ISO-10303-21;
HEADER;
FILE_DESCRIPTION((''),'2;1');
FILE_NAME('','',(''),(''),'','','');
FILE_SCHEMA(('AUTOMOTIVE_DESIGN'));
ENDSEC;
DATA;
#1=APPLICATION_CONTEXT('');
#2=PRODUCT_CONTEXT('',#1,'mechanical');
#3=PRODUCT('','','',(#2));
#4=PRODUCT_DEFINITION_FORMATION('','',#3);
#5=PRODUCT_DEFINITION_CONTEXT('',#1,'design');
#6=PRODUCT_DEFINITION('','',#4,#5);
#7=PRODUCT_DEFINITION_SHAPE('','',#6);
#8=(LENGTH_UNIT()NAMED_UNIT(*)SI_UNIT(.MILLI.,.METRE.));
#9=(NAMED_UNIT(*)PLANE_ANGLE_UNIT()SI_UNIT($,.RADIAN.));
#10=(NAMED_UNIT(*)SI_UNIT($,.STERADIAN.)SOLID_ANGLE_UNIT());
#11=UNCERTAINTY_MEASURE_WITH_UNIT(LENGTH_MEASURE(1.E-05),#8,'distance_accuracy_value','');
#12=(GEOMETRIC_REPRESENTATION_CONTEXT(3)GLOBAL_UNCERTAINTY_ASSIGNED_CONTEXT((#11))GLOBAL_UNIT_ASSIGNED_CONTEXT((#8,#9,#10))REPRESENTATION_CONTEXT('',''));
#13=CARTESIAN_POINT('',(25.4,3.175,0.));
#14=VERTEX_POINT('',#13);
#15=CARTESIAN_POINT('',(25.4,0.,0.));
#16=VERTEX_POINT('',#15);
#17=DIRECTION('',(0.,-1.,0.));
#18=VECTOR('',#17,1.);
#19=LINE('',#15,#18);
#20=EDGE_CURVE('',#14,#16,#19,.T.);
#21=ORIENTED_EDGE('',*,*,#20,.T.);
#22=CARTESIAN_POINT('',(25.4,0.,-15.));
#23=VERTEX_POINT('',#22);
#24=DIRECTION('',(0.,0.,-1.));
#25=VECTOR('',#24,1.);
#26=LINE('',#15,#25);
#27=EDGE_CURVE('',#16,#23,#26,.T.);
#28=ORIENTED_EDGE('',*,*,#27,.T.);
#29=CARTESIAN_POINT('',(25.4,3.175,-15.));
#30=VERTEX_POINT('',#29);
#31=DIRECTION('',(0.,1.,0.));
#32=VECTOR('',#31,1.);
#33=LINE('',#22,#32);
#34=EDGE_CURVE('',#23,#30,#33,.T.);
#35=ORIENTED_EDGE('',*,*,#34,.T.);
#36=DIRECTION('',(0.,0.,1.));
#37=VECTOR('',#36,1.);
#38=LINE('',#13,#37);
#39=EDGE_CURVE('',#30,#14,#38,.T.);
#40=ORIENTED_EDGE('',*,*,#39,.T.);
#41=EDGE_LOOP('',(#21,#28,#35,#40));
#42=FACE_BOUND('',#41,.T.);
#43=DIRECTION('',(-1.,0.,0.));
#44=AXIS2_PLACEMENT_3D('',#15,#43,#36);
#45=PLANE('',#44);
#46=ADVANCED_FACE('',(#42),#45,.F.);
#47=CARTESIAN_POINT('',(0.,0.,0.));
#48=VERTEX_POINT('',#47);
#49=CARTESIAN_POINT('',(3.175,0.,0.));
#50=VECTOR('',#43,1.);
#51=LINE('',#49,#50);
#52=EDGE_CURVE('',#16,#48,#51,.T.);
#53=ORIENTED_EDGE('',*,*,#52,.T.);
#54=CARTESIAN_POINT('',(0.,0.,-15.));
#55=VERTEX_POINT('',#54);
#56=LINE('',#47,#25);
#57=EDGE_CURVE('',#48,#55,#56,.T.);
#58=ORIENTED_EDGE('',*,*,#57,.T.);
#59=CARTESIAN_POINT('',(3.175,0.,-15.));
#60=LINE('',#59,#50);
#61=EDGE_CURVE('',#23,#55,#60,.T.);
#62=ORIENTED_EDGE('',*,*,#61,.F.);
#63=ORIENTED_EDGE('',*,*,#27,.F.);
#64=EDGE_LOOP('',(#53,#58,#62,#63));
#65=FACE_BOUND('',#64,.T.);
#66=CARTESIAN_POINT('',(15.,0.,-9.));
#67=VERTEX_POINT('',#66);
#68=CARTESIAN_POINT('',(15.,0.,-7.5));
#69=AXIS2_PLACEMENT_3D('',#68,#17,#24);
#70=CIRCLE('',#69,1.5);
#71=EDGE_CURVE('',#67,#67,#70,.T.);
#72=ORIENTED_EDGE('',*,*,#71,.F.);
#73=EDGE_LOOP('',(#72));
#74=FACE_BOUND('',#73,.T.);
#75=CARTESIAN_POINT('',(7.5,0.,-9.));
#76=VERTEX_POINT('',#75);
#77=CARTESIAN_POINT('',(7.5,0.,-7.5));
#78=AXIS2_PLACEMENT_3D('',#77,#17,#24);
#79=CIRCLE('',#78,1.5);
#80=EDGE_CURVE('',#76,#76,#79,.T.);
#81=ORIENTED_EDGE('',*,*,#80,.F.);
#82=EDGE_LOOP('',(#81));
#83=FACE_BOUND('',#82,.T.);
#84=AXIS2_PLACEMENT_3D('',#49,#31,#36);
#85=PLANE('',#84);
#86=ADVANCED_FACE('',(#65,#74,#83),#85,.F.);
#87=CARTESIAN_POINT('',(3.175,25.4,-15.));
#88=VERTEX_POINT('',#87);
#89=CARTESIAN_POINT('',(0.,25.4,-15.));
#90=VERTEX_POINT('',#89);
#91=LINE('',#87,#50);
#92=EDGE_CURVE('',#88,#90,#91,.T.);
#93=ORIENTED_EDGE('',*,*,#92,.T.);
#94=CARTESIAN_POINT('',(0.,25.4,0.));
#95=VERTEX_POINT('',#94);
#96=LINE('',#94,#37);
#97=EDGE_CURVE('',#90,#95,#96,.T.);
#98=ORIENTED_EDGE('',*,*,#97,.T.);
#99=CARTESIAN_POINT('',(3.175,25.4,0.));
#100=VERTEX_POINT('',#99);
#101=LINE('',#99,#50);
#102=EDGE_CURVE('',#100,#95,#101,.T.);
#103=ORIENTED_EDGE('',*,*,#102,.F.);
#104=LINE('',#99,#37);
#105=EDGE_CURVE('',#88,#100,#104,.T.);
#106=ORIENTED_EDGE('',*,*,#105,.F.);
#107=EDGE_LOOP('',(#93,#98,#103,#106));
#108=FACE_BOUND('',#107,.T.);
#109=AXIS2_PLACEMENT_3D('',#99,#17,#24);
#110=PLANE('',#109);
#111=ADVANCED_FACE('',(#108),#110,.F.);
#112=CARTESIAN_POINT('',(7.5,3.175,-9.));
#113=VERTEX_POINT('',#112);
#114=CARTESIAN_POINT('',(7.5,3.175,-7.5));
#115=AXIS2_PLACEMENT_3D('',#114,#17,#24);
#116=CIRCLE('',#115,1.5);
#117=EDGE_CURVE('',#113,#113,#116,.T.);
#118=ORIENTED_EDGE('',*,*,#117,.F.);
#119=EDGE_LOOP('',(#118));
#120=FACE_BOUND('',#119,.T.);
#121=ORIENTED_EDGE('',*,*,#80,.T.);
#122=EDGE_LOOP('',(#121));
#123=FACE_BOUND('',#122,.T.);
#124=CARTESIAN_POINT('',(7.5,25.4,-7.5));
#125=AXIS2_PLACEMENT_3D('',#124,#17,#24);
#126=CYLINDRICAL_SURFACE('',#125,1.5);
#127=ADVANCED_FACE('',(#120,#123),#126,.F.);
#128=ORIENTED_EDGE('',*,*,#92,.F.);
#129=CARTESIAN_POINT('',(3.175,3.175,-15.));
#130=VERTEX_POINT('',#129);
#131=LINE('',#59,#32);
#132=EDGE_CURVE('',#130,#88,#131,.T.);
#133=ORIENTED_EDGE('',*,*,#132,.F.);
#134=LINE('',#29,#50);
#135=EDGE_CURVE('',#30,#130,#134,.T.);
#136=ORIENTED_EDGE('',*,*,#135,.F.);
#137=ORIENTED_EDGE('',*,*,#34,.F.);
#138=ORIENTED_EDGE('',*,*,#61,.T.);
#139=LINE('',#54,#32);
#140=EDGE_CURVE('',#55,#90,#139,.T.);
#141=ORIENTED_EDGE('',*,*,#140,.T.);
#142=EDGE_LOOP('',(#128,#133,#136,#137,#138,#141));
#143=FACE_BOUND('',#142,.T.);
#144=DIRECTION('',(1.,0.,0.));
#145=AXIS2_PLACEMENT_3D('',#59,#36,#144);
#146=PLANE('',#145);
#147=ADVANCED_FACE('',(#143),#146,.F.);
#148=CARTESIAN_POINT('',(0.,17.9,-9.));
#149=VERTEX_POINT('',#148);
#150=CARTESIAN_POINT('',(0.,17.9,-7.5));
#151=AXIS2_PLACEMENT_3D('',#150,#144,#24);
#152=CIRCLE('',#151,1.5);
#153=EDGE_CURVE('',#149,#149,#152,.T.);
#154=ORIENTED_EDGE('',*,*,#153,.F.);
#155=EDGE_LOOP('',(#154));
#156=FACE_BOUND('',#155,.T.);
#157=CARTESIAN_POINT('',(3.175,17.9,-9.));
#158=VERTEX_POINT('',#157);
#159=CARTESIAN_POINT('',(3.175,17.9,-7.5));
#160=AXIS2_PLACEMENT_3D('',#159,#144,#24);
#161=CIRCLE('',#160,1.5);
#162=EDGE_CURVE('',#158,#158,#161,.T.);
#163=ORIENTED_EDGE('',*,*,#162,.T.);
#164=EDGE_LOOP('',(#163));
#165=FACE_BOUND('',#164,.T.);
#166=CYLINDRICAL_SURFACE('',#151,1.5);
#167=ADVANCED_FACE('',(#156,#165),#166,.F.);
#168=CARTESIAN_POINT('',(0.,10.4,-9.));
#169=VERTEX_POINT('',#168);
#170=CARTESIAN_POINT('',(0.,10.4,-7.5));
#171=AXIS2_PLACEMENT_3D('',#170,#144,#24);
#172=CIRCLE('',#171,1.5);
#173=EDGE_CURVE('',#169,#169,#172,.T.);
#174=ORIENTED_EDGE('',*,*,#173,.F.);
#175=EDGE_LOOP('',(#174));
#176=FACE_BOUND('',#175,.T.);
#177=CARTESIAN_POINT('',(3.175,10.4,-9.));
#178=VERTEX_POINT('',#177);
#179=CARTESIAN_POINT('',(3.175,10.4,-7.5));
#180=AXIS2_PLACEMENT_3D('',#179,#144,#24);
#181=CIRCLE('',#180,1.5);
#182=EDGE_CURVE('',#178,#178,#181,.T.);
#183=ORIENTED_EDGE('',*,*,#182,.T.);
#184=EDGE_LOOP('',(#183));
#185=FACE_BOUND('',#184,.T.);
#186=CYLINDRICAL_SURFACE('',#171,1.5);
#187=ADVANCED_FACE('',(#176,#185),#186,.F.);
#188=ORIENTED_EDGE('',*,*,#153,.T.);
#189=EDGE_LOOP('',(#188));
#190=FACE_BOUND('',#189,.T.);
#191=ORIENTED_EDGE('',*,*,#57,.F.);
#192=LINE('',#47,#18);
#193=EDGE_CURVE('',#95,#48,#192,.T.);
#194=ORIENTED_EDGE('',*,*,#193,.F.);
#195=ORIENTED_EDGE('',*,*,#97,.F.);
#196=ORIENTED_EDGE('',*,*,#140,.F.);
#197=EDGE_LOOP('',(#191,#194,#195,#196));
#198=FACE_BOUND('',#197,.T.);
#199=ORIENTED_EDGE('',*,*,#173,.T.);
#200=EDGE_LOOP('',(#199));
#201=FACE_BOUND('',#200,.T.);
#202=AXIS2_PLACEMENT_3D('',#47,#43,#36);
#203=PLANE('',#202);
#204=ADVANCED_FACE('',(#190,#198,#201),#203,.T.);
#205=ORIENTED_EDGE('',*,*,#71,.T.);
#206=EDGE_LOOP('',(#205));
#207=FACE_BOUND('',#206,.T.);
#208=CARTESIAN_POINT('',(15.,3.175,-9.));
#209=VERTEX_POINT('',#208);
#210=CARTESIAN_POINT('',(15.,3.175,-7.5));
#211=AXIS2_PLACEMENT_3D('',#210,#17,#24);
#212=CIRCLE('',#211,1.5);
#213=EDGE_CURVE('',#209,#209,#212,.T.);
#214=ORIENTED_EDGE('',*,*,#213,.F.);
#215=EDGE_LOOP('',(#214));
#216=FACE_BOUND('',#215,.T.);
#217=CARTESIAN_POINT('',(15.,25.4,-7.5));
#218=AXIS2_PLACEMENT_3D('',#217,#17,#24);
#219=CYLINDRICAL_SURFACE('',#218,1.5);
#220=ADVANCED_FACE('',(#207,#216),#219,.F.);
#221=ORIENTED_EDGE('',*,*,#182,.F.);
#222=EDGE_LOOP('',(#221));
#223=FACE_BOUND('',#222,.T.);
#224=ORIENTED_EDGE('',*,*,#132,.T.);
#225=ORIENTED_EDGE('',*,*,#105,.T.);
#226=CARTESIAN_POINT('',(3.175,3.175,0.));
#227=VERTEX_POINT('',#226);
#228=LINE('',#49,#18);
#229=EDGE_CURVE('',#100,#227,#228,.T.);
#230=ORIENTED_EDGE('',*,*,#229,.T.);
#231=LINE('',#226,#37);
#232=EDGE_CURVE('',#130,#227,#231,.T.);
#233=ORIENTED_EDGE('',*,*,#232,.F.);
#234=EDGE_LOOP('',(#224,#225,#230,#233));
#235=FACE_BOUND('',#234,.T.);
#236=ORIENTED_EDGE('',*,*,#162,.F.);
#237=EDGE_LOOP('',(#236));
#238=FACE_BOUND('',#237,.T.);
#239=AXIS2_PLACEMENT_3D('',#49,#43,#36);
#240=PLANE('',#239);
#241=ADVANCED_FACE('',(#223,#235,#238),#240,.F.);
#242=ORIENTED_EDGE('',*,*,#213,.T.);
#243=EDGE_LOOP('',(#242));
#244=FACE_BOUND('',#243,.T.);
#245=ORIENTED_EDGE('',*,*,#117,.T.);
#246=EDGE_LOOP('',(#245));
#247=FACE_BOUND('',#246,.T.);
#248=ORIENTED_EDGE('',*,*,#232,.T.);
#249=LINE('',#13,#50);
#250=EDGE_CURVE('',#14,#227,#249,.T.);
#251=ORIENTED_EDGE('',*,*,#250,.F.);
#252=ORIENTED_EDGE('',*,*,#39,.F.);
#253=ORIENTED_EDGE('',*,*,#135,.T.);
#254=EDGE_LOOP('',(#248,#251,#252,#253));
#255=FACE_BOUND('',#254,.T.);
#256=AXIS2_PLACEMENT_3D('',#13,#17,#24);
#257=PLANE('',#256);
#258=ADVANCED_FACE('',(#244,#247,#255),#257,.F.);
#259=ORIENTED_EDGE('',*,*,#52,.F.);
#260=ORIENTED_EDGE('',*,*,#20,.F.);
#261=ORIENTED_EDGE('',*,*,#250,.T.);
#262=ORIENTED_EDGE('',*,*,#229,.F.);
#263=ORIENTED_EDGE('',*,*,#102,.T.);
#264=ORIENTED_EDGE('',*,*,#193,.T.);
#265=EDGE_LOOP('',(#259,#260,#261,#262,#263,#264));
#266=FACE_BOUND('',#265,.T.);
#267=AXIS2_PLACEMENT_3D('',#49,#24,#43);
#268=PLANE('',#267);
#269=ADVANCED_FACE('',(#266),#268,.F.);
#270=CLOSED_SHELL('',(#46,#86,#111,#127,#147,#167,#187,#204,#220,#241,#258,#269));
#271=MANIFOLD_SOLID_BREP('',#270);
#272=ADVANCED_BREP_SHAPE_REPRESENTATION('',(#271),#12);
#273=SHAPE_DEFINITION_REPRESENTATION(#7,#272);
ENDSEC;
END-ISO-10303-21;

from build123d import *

# Parameters (mm, degrees)
SKETCH1_W           = 15
SKETCH1_H           = 25.4
BOSS_EXTRUDE1_DEPTH = 3.175
SKETCH2_W           = 15
SKETCH2_H           = 3.175
BOSS_EXTRUDE2_DEPTH = 22.225
SKETCH3_R           = 1.5
CUT_EXTRUDE2_DEPTH  = 39.927111375
SKETCH4_R           = 1.5
CUT_EXTRUDE3_DEPTH  = 37.933868265


with BuildPart() as part:
    # Sketch1 → Boss-Extrude1 (new body)
    with BuildSketch(Plane(origin=(0, 0, 0), x_dir=(0, 0, -1), z_dir=(1, 0, 0))):
        with Locations((7.5, 12.7)):
            Rectangle(SKETCH1_W, SKETCH1_H)
    extrude(amount=BOSS_EXTRUDE1_DEPTH)

    # Sketch2 → Boss-Extrude2 (add)
    with BuildSketch(Plane(origin=(3.175, 0, 0), x_dir=(0, 0, -1), z_dir=(1, 0, 0))):
        with Locations((7.5, 1.5875)):
            Rectangle(SKETCH2_W, SKETCH2_H)
    extrude(amount=BOSS_EXTRUDE2_DEPTH)

    # Sketch3 → Cut-Extrude2 (cut, through all)
    with BuildSketch(Plane.XZ):
        with Locations(Location((7.5, -7.5, 0), (0, 0, 270))):
            Circle(SKETCH3_R)
        with Locations(Location((15, -7.5, 0), (0, 0, 270))):
            Circle(SKETCH3_R)
    extrude(amount=-CUT_EXTRUDE2_DEPTH, mode=Mode.SUBTRACT)

    # Sketch4 → Cut-Extrude3 (cut, through all)
    with BuildSketch(Plane(origin=(3.175, 0, 0), x_dir=(0, 0, -1), z_dir=(1, 0, 0))):
        with Locations((7.5, 17.9)):
            Circle(SKETCH4_R)
        with Locations((7.5, 10.4)):
            Circle(SKETCH4_R)
    extrude(amount=-CUT_EXTRUDE3_DEPTH, mode=Mode.SUBTRACT)


solid = part.part
